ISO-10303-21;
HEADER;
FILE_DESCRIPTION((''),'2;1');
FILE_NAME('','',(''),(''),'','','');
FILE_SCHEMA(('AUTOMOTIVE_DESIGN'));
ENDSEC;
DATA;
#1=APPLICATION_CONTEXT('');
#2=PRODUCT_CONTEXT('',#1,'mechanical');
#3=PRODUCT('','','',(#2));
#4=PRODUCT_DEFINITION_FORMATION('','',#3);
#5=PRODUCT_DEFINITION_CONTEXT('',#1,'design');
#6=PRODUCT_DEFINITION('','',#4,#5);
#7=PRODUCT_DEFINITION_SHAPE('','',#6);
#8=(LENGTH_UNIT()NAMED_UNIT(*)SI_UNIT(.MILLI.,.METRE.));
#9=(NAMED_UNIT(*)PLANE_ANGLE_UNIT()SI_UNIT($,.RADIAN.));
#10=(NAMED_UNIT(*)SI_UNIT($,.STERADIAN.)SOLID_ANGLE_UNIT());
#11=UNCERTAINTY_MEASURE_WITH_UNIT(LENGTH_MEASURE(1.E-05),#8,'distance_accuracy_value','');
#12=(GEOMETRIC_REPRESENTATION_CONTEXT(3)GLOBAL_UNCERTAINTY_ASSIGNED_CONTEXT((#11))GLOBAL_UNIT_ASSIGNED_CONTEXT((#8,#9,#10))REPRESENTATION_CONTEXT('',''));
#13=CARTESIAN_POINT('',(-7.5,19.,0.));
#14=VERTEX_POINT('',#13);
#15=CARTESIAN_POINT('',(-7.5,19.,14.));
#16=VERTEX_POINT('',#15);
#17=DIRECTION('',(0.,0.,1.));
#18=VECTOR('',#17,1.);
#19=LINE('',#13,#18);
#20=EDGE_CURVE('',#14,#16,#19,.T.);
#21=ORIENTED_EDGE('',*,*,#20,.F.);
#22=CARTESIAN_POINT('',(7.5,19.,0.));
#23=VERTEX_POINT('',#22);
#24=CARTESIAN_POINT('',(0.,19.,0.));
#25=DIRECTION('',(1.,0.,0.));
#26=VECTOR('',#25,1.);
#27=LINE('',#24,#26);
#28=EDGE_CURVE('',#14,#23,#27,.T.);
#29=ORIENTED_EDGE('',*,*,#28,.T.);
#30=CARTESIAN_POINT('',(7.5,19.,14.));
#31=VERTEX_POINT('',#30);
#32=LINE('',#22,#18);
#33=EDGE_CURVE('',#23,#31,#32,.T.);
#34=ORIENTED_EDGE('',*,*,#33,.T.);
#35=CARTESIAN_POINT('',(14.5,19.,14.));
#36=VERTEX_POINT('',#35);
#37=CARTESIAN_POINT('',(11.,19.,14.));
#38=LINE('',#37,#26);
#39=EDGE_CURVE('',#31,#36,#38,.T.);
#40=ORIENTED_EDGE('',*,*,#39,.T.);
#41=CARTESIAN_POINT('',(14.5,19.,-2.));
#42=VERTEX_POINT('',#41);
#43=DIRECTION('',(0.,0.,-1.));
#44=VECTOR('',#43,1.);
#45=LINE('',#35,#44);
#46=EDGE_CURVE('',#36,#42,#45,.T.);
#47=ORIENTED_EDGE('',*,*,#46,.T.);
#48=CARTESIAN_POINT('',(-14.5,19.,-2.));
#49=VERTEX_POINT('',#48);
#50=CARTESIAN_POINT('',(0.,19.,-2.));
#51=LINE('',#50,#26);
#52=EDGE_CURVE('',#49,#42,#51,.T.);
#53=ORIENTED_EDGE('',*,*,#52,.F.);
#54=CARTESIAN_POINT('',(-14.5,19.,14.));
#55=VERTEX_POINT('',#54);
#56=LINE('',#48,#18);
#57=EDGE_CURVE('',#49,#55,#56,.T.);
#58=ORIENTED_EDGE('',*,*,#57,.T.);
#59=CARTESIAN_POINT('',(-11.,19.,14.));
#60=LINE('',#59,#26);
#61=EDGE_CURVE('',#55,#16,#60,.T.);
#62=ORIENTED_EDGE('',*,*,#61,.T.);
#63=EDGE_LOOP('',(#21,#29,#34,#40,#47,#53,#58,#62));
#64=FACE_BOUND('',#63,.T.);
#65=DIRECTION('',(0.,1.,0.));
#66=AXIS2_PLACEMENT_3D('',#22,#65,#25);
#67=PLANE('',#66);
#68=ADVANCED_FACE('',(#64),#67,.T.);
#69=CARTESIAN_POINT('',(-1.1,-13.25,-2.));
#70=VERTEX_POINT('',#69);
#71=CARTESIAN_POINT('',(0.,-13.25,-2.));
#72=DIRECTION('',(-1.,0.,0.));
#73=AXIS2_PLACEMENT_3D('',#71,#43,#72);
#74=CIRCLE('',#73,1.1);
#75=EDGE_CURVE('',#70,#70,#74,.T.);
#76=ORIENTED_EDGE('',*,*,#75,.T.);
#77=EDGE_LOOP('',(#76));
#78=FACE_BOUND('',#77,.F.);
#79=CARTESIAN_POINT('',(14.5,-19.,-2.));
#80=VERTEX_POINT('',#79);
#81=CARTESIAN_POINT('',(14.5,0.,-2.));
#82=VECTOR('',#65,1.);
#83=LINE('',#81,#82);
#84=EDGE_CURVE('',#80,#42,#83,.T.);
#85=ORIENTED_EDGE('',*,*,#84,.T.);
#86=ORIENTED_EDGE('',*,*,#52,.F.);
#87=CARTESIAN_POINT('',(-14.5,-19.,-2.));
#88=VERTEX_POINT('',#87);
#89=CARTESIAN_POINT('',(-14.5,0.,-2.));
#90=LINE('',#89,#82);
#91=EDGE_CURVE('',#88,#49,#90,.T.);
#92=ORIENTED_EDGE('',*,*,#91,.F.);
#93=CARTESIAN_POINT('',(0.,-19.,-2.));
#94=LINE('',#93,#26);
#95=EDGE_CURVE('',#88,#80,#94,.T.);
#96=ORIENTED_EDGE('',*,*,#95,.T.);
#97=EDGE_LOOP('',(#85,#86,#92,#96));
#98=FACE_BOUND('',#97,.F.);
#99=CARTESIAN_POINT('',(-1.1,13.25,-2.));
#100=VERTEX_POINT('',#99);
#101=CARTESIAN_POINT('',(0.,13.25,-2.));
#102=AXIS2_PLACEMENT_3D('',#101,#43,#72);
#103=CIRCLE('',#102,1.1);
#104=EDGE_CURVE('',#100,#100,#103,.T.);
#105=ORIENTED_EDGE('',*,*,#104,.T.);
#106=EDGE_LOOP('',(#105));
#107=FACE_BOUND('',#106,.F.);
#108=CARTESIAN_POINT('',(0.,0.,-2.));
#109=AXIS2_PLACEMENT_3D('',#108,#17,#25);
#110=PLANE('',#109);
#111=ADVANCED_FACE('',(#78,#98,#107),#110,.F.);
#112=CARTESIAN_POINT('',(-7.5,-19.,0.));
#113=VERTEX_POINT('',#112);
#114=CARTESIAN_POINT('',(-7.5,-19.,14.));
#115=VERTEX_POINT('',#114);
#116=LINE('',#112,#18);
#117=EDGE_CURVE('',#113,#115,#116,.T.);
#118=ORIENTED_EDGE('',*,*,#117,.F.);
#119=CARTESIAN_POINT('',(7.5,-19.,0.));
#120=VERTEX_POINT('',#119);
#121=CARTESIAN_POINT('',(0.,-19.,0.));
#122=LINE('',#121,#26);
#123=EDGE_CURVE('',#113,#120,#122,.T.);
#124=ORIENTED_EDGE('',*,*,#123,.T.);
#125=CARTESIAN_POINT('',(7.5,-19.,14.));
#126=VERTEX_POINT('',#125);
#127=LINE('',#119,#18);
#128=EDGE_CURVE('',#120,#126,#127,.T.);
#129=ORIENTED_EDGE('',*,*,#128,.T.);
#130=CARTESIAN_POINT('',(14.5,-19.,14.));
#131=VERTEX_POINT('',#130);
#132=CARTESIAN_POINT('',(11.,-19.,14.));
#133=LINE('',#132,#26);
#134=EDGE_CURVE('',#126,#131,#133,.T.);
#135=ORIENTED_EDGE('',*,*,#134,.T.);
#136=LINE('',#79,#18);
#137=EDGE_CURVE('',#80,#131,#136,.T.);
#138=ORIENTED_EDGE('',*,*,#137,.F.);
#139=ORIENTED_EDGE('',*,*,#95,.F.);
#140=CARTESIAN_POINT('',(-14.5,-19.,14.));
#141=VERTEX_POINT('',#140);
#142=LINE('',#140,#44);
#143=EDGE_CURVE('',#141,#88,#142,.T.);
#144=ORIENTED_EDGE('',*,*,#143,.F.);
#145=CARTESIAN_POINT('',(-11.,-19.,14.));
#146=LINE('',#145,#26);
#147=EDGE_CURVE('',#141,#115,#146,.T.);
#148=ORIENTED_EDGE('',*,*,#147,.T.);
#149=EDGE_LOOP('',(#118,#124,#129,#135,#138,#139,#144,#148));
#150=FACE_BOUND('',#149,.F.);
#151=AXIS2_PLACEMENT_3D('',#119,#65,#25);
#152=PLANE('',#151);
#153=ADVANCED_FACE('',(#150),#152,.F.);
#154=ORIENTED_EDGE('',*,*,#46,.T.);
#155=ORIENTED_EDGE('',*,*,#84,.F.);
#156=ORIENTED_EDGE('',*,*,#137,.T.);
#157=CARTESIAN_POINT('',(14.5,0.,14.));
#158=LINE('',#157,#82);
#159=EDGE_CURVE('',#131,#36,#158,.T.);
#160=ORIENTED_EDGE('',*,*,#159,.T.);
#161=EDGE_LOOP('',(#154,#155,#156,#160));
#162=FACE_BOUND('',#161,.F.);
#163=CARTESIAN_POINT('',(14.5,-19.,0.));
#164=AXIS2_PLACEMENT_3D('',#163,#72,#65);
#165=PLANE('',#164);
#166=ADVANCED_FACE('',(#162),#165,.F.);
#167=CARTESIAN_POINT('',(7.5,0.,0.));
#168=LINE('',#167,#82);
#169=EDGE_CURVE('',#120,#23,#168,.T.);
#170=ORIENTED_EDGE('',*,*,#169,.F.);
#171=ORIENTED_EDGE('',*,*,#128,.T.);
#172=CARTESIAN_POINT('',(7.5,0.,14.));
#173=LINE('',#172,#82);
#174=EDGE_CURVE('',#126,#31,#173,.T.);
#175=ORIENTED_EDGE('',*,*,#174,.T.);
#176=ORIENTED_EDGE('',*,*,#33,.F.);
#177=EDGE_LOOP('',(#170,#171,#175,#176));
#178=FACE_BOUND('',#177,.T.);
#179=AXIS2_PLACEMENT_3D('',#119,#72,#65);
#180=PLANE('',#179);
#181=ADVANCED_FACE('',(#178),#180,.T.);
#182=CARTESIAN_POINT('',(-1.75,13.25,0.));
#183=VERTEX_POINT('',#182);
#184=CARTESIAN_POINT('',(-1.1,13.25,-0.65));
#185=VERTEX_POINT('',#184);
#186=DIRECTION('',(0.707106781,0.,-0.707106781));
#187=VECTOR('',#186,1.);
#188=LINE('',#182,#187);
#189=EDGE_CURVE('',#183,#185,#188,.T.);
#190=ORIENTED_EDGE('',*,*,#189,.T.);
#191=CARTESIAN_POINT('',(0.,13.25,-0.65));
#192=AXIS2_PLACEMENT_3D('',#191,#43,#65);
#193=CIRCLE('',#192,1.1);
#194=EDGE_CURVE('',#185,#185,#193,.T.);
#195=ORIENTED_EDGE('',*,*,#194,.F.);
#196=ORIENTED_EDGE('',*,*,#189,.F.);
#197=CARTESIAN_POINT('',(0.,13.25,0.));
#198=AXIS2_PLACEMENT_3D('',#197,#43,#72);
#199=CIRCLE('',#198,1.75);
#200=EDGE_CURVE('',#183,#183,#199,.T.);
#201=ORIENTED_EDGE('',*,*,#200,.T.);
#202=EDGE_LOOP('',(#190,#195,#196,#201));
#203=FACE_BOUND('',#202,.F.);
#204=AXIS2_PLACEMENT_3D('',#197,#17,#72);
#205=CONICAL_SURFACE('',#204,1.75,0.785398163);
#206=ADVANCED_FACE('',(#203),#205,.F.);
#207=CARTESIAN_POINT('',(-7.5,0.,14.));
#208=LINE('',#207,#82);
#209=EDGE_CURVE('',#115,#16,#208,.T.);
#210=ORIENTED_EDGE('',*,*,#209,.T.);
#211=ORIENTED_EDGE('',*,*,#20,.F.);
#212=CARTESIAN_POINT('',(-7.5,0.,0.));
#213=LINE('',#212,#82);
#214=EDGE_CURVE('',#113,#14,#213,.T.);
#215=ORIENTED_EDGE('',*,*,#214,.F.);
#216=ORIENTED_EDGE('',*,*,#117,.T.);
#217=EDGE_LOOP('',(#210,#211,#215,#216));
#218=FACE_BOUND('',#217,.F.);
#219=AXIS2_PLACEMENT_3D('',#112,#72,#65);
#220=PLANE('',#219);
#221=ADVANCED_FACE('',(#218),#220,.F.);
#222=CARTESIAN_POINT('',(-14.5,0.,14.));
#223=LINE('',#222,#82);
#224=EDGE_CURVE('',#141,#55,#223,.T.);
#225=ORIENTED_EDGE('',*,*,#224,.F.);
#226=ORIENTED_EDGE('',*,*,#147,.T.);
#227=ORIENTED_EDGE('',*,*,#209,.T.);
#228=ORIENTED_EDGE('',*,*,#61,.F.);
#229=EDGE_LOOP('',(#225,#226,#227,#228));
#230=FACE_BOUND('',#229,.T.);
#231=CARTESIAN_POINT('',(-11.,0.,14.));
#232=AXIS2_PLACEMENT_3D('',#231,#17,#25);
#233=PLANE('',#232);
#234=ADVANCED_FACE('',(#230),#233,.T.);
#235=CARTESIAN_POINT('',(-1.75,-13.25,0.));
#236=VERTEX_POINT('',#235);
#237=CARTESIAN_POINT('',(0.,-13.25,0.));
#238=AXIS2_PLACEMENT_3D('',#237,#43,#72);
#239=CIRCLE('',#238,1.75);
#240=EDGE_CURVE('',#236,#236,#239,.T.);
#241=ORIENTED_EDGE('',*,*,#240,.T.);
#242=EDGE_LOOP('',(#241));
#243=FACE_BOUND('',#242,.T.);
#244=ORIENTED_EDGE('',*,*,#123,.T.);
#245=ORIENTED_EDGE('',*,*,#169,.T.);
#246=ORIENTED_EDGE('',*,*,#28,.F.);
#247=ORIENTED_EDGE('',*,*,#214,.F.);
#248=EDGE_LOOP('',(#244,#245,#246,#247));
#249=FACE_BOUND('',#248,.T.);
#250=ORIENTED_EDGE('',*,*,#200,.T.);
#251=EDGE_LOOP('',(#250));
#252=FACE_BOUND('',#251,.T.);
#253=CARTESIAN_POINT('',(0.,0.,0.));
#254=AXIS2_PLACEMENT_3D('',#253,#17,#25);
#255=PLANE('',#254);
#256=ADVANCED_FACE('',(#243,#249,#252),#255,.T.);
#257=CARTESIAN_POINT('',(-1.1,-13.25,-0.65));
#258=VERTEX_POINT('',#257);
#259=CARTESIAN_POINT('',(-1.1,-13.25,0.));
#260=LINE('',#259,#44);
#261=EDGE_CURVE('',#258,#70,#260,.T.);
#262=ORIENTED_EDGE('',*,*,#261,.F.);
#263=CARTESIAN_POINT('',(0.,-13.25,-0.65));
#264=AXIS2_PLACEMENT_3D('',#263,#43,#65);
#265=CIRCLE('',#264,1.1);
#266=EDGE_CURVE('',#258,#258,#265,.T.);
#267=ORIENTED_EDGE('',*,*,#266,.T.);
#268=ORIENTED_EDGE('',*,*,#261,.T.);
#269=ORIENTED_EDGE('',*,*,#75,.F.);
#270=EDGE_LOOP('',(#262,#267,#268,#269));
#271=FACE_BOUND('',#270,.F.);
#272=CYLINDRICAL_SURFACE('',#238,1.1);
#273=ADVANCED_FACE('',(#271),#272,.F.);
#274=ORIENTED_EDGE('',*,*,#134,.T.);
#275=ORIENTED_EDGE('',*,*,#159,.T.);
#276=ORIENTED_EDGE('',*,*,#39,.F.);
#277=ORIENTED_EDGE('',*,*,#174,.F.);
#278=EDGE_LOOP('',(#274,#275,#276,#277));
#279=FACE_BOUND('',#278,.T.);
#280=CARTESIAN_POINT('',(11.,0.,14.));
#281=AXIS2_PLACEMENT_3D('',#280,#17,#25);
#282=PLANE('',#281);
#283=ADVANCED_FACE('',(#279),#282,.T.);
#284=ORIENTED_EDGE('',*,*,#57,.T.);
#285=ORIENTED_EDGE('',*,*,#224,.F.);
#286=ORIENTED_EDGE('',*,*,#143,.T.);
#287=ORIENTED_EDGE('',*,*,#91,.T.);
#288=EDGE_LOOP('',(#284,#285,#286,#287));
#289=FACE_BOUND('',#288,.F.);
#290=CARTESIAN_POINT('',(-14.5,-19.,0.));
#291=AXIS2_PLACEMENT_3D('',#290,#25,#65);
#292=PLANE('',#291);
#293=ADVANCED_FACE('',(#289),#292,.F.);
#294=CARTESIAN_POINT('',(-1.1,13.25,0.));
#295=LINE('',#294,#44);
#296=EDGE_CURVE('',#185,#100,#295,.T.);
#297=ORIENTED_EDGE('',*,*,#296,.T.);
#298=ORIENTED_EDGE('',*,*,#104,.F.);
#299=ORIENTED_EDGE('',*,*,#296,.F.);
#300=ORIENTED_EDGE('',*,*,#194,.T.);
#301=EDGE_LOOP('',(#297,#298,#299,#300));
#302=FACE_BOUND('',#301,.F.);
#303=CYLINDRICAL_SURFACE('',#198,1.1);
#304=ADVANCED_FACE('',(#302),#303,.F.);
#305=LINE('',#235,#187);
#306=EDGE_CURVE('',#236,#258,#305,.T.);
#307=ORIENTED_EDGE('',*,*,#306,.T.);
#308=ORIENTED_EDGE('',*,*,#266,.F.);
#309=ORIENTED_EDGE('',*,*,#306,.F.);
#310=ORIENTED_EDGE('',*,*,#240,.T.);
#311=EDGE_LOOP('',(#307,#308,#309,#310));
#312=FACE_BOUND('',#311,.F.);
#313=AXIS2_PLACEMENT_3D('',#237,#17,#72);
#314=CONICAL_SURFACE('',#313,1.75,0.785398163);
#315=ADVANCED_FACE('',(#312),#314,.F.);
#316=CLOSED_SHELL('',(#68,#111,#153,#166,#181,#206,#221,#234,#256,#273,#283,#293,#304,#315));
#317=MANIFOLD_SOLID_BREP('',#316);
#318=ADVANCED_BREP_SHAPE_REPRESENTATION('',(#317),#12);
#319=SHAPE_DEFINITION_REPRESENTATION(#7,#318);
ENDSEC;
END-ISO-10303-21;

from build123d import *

# Parameters (mm, degrees)
SKETCH001_W      = 29
SKETCH001_H      = 38
PAD_DEPTH        = 2
SKETCH_W         = 7
SKETCH_H         = 38
PAD001_DEPTH     = 14
HOLE_D           = 2.2
HOLE_DEPTH       = 25
HOLE_CSINK_D     = 3.5
HOLE_CSINK_ANGLE = 90


with BuildPart() as part:
    # Sketch001 → Pad (new body)
    with BuildSketch(Plane.XY):
        Rectangle(SKETCH001_W, SKETCH001_H)
    extrude(amount=-PAD_DEPTH)

    # Sketch → Pad001 (join)
    with BuildSketch(Plane.XY):
        with Locations((11, 0)):
            Rectangle(SKETCH_W, SKETCH_H)
        with Locations((-11, 0)):
            Rectangle(SKETCH_W, SKETCH_H)
    extrude(amount=PAD001_DEPTH)

    # Hole
    with Locations(Plane.XY):
        with Locations((0, 13.25), (0, -13.25)):
            CounterSinkHole(HOLE_D / 2, HOLE_CSINK_D / 2, depth=HOLE_DEPTH, counter_sink_angle=HOLE_CSINK_ANGLE)


solid = part.part
